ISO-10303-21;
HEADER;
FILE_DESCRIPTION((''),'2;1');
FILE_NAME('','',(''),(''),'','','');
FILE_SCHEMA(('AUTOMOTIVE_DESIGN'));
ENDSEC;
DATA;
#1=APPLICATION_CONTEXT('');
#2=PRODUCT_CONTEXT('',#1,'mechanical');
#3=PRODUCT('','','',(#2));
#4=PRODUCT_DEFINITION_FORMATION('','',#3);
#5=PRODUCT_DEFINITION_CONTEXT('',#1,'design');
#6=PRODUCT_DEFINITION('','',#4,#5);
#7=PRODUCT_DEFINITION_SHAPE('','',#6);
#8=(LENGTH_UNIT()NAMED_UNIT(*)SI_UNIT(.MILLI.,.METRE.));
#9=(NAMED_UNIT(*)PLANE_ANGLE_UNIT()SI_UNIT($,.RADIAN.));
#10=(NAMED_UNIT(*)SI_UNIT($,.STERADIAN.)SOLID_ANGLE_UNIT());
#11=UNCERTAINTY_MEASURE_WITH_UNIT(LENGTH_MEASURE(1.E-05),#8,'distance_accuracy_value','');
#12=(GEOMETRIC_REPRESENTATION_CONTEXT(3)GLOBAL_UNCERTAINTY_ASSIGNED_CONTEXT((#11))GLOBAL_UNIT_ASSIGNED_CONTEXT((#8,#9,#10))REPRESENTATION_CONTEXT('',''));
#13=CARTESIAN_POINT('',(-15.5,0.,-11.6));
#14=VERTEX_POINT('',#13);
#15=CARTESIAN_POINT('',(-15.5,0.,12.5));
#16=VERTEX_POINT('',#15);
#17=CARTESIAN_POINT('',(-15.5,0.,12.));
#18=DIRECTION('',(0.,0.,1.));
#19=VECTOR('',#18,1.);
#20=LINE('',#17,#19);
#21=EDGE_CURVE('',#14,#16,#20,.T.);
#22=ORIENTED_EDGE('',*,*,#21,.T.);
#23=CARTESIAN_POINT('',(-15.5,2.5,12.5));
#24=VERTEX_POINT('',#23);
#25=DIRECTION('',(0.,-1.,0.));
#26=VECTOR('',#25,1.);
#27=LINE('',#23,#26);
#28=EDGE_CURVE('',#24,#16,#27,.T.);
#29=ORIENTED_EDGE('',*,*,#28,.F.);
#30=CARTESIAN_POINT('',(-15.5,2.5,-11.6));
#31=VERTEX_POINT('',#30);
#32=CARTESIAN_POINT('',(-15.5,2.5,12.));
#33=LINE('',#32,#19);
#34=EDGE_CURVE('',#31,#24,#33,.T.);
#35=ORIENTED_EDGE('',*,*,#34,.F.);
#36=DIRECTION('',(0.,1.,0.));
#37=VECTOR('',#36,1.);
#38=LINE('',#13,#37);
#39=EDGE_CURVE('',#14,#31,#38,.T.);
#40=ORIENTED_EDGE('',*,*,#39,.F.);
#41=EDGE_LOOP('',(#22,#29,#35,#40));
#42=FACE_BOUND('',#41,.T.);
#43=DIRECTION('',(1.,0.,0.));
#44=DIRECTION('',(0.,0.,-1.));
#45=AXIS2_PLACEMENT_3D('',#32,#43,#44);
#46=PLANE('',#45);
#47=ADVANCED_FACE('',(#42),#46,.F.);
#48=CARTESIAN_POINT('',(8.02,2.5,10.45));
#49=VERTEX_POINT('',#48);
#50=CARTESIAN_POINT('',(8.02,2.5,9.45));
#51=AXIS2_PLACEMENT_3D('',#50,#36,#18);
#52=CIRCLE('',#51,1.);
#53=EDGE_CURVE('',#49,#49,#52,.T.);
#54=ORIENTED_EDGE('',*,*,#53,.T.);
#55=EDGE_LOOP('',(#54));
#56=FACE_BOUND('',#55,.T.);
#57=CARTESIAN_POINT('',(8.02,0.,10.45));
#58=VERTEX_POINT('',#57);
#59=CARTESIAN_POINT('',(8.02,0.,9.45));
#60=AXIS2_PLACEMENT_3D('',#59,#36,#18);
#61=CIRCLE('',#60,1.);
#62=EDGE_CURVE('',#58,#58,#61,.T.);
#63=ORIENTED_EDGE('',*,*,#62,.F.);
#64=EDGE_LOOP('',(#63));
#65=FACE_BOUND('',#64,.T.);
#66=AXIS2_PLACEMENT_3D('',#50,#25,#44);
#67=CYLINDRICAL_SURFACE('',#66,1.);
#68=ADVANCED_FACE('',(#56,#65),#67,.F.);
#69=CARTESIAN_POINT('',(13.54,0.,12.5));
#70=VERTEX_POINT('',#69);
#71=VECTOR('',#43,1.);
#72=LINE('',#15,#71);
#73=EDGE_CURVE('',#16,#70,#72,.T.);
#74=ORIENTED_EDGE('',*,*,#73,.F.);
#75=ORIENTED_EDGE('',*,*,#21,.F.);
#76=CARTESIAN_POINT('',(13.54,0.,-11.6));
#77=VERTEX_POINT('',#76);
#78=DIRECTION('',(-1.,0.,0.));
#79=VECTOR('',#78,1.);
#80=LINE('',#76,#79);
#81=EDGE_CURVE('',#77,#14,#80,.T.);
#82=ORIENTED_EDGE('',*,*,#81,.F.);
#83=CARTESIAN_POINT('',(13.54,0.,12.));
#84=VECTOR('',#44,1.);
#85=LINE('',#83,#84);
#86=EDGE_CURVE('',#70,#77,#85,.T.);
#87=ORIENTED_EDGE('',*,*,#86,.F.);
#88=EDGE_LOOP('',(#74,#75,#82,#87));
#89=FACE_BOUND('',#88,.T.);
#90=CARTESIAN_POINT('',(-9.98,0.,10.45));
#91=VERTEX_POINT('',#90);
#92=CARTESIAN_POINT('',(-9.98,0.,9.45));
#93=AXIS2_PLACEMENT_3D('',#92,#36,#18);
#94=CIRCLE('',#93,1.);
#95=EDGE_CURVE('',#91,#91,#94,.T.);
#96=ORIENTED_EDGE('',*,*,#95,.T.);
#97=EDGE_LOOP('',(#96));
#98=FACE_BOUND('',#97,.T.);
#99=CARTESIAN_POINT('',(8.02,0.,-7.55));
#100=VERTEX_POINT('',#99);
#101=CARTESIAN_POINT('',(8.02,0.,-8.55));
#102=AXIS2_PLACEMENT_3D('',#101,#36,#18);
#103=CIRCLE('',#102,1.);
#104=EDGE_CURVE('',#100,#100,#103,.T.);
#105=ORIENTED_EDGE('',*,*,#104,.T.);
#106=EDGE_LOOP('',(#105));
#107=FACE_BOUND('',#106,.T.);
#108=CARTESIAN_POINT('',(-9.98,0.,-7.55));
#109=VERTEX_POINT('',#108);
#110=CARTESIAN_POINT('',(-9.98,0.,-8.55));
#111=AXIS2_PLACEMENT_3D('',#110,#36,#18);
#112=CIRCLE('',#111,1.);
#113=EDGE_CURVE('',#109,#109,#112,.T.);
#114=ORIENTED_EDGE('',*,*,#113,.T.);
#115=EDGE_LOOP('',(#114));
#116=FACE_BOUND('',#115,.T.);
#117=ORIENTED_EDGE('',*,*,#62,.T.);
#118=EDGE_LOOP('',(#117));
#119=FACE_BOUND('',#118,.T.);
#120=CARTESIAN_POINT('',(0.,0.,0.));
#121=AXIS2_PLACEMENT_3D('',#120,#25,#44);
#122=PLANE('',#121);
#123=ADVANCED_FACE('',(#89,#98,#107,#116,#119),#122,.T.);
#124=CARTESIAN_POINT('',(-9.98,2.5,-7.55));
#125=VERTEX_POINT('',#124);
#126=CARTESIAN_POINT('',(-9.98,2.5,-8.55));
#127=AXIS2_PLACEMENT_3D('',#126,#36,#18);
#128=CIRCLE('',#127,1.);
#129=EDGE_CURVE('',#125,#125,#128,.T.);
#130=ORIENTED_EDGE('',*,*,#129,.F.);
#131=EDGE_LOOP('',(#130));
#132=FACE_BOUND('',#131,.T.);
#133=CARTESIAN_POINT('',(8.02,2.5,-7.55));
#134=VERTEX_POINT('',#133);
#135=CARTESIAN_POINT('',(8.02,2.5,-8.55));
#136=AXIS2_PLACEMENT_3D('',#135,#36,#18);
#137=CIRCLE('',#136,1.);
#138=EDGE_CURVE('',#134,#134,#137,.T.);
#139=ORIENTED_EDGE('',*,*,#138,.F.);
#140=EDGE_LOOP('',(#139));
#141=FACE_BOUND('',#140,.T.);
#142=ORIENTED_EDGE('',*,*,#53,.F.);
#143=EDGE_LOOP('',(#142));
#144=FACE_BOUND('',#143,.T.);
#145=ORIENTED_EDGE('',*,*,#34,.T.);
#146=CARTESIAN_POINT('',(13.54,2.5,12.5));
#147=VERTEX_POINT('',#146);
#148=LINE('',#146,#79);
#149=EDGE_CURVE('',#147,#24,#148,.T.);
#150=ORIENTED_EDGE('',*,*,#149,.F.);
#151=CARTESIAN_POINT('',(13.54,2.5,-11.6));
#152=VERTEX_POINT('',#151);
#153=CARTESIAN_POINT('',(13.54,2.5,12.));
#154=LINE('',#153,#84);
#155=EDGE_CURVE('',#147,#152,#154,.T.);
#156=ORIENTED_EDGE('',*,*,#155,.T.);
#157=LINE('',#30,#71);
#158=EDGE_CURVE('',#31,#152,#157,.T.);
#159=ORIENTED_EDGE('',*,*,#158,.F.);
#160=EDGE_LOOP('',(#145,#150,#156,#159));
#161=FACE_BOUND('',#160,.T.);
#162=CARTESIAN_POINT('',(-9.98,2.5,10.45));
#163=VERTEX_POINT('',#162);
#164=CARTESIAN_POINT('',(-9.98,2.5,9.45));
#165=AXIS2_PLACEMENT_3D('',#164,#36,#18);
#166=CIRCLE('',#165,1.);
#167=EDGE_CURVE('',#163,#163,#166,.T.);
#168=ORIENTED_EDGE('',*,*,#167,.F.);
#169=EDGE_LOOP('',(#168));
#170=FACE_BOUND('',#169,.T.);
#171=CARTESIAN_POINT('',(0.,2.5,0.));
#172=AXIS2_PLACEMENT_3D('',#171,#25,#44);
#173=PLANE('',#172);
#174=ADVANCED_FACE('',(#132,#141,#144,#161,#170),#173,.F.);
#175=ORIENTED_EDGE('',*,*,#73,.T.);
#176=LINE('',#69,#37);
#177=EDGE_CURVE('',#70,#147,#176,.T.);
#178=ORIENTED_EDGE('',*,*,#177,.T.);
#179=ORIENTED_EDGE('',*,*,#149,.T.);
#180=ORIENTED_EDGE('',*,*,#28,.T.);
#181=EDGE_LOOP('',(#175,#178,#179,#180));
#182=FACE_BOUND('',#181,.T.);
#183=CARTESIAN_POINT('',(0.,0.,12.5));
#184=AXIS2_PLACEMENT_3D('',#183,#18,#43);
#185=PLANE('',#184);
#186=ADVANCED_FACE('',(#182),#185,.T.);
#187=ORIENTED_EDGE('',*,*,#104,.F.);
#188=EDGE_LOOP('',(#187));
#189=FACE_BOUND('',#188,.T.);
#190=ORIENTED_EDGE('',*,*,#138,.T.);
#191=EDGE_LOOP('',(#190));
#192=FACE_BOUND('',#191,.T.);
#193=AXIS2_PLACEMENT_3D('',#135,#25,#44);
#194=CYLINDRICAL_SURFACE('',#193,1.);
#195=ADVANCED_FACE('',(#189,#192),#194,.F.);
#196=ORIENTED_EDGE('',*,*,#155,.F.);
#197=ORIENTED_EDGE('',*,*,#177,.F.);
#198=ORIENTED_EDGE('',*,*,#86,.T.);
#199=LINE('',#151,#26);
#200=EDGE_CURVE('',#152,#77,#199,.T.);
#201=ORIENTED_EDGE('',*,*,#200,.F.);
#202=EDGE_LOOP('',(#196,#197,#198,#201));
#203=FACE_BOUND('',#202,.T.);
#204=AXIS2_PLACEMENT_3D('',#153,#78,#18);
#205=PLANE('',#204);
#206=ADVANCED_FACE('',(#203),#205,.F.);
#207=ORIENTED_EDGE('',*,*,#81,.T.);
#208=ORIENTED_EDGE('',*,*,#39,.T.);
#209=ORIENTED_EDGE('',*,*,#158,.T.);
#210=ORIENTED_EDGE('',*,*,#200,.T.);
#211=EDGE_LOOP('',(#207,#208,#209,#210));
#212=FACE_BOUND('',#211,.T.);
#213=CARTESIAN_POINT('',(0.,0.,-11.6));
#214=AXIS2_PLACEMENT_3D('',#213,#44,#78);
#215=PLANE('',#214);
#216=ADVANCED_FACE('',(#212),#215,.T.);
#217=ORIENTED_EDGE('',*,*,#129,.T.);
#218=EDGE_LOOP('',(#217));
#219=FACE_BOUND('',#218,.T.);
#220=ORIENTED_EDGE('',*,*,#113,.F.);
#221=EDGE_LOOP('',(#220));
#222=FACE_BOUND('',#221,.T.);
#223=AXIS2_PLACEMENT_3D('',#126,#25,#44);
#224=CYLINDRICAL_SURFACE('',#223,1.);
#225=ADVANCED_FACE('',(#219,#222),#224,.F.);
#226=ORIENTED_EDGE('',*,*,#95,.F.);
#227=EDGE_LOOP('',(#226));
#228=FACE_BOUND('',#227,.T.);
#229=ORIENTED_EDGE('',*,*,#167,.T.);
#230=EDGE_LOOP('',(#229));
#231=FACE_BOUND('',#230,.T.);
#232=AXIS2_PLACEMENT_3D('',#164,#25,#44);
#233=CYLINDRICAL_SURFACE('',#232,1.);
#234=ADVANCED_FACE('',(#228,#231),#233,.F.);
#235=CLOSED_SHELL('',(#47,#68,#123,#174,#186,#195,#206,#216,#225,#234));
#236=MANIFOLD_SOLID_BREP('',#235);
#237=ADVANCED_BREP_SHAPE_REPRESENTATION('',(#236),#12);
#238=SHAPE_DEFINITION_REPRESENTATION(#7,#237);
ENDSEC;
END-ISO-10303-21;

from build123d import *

# Parameters (mm, degrees)
SKETCH1_W           = 29.04
SKETCH1_H           = 23.1
SKETCH1_R           = 1
BOSS_EXTRUDE1_DEPTH = 2.5
SKETCH2_W           = 29.04
SKETCH2_H           = 2.5
BOSS_EXTRUDE2_DEPTH = 0.5
SKETCH3_W           = 29.04
SKETCH3_H           = 2.5
BOSS_EXTRUDE3_DEPTH = 0.5


with BuildPart() as part:
    # Sketch1 → Boss-Extrude1 (new body)
    with BuildSketch(Plane(origin=(0, 0, 0), x_dir=(1, 0, 0), z_dir=(0, 1, 0))):
        with Locations((-0.98, -0.45)):
            Rectangle(SKETCH1_W, SKETCH1_H)
        with Locations((-9.98, 8.55)):
            Circle(SKETCH1_R, mode=Mode.SUBTRACT)
        with Locations((8.02, 8.55)):
            Circle(SKETCH1_R, mode=Mode.SUBTRACT)
        with Locations((8.02, -9.45)):
            Circle(SKETCH1_R, mode=Mode.SUBTRACT)
        with Locations((-9.98, -9.45)):
            Circle(SKETCH1_R, mode=Mode.SUBTRACT)
    extrude(amount=BOSS_EXTRUDE1_DEPTH)

    # Sketch2 → Boss-Extrude2 (add)
    with BuildSketch(Plane(origin=(0, 0, -11.1), x_dir=(-1, 0, 0), z_dir=(0, 0, -1))):
        with Locations((0.98, 1.25)):
            Rectangle(SKETCH2_W, SKETCH2_H)
    extrude(amount=BOSS_EXTRUDE2_DEPTH)

    # Sketch3 → Boss-Extrude3 (add)
    with BuildSketch(Plane.XY.offset(12)):
        with Locations((-0.98, 1.25)):
            Rectangle(SKETCH3_W, SKETCH3_H)
    extrude(amount=BOSS_EXTRUDE3_DEPTH)


solid = part.part
